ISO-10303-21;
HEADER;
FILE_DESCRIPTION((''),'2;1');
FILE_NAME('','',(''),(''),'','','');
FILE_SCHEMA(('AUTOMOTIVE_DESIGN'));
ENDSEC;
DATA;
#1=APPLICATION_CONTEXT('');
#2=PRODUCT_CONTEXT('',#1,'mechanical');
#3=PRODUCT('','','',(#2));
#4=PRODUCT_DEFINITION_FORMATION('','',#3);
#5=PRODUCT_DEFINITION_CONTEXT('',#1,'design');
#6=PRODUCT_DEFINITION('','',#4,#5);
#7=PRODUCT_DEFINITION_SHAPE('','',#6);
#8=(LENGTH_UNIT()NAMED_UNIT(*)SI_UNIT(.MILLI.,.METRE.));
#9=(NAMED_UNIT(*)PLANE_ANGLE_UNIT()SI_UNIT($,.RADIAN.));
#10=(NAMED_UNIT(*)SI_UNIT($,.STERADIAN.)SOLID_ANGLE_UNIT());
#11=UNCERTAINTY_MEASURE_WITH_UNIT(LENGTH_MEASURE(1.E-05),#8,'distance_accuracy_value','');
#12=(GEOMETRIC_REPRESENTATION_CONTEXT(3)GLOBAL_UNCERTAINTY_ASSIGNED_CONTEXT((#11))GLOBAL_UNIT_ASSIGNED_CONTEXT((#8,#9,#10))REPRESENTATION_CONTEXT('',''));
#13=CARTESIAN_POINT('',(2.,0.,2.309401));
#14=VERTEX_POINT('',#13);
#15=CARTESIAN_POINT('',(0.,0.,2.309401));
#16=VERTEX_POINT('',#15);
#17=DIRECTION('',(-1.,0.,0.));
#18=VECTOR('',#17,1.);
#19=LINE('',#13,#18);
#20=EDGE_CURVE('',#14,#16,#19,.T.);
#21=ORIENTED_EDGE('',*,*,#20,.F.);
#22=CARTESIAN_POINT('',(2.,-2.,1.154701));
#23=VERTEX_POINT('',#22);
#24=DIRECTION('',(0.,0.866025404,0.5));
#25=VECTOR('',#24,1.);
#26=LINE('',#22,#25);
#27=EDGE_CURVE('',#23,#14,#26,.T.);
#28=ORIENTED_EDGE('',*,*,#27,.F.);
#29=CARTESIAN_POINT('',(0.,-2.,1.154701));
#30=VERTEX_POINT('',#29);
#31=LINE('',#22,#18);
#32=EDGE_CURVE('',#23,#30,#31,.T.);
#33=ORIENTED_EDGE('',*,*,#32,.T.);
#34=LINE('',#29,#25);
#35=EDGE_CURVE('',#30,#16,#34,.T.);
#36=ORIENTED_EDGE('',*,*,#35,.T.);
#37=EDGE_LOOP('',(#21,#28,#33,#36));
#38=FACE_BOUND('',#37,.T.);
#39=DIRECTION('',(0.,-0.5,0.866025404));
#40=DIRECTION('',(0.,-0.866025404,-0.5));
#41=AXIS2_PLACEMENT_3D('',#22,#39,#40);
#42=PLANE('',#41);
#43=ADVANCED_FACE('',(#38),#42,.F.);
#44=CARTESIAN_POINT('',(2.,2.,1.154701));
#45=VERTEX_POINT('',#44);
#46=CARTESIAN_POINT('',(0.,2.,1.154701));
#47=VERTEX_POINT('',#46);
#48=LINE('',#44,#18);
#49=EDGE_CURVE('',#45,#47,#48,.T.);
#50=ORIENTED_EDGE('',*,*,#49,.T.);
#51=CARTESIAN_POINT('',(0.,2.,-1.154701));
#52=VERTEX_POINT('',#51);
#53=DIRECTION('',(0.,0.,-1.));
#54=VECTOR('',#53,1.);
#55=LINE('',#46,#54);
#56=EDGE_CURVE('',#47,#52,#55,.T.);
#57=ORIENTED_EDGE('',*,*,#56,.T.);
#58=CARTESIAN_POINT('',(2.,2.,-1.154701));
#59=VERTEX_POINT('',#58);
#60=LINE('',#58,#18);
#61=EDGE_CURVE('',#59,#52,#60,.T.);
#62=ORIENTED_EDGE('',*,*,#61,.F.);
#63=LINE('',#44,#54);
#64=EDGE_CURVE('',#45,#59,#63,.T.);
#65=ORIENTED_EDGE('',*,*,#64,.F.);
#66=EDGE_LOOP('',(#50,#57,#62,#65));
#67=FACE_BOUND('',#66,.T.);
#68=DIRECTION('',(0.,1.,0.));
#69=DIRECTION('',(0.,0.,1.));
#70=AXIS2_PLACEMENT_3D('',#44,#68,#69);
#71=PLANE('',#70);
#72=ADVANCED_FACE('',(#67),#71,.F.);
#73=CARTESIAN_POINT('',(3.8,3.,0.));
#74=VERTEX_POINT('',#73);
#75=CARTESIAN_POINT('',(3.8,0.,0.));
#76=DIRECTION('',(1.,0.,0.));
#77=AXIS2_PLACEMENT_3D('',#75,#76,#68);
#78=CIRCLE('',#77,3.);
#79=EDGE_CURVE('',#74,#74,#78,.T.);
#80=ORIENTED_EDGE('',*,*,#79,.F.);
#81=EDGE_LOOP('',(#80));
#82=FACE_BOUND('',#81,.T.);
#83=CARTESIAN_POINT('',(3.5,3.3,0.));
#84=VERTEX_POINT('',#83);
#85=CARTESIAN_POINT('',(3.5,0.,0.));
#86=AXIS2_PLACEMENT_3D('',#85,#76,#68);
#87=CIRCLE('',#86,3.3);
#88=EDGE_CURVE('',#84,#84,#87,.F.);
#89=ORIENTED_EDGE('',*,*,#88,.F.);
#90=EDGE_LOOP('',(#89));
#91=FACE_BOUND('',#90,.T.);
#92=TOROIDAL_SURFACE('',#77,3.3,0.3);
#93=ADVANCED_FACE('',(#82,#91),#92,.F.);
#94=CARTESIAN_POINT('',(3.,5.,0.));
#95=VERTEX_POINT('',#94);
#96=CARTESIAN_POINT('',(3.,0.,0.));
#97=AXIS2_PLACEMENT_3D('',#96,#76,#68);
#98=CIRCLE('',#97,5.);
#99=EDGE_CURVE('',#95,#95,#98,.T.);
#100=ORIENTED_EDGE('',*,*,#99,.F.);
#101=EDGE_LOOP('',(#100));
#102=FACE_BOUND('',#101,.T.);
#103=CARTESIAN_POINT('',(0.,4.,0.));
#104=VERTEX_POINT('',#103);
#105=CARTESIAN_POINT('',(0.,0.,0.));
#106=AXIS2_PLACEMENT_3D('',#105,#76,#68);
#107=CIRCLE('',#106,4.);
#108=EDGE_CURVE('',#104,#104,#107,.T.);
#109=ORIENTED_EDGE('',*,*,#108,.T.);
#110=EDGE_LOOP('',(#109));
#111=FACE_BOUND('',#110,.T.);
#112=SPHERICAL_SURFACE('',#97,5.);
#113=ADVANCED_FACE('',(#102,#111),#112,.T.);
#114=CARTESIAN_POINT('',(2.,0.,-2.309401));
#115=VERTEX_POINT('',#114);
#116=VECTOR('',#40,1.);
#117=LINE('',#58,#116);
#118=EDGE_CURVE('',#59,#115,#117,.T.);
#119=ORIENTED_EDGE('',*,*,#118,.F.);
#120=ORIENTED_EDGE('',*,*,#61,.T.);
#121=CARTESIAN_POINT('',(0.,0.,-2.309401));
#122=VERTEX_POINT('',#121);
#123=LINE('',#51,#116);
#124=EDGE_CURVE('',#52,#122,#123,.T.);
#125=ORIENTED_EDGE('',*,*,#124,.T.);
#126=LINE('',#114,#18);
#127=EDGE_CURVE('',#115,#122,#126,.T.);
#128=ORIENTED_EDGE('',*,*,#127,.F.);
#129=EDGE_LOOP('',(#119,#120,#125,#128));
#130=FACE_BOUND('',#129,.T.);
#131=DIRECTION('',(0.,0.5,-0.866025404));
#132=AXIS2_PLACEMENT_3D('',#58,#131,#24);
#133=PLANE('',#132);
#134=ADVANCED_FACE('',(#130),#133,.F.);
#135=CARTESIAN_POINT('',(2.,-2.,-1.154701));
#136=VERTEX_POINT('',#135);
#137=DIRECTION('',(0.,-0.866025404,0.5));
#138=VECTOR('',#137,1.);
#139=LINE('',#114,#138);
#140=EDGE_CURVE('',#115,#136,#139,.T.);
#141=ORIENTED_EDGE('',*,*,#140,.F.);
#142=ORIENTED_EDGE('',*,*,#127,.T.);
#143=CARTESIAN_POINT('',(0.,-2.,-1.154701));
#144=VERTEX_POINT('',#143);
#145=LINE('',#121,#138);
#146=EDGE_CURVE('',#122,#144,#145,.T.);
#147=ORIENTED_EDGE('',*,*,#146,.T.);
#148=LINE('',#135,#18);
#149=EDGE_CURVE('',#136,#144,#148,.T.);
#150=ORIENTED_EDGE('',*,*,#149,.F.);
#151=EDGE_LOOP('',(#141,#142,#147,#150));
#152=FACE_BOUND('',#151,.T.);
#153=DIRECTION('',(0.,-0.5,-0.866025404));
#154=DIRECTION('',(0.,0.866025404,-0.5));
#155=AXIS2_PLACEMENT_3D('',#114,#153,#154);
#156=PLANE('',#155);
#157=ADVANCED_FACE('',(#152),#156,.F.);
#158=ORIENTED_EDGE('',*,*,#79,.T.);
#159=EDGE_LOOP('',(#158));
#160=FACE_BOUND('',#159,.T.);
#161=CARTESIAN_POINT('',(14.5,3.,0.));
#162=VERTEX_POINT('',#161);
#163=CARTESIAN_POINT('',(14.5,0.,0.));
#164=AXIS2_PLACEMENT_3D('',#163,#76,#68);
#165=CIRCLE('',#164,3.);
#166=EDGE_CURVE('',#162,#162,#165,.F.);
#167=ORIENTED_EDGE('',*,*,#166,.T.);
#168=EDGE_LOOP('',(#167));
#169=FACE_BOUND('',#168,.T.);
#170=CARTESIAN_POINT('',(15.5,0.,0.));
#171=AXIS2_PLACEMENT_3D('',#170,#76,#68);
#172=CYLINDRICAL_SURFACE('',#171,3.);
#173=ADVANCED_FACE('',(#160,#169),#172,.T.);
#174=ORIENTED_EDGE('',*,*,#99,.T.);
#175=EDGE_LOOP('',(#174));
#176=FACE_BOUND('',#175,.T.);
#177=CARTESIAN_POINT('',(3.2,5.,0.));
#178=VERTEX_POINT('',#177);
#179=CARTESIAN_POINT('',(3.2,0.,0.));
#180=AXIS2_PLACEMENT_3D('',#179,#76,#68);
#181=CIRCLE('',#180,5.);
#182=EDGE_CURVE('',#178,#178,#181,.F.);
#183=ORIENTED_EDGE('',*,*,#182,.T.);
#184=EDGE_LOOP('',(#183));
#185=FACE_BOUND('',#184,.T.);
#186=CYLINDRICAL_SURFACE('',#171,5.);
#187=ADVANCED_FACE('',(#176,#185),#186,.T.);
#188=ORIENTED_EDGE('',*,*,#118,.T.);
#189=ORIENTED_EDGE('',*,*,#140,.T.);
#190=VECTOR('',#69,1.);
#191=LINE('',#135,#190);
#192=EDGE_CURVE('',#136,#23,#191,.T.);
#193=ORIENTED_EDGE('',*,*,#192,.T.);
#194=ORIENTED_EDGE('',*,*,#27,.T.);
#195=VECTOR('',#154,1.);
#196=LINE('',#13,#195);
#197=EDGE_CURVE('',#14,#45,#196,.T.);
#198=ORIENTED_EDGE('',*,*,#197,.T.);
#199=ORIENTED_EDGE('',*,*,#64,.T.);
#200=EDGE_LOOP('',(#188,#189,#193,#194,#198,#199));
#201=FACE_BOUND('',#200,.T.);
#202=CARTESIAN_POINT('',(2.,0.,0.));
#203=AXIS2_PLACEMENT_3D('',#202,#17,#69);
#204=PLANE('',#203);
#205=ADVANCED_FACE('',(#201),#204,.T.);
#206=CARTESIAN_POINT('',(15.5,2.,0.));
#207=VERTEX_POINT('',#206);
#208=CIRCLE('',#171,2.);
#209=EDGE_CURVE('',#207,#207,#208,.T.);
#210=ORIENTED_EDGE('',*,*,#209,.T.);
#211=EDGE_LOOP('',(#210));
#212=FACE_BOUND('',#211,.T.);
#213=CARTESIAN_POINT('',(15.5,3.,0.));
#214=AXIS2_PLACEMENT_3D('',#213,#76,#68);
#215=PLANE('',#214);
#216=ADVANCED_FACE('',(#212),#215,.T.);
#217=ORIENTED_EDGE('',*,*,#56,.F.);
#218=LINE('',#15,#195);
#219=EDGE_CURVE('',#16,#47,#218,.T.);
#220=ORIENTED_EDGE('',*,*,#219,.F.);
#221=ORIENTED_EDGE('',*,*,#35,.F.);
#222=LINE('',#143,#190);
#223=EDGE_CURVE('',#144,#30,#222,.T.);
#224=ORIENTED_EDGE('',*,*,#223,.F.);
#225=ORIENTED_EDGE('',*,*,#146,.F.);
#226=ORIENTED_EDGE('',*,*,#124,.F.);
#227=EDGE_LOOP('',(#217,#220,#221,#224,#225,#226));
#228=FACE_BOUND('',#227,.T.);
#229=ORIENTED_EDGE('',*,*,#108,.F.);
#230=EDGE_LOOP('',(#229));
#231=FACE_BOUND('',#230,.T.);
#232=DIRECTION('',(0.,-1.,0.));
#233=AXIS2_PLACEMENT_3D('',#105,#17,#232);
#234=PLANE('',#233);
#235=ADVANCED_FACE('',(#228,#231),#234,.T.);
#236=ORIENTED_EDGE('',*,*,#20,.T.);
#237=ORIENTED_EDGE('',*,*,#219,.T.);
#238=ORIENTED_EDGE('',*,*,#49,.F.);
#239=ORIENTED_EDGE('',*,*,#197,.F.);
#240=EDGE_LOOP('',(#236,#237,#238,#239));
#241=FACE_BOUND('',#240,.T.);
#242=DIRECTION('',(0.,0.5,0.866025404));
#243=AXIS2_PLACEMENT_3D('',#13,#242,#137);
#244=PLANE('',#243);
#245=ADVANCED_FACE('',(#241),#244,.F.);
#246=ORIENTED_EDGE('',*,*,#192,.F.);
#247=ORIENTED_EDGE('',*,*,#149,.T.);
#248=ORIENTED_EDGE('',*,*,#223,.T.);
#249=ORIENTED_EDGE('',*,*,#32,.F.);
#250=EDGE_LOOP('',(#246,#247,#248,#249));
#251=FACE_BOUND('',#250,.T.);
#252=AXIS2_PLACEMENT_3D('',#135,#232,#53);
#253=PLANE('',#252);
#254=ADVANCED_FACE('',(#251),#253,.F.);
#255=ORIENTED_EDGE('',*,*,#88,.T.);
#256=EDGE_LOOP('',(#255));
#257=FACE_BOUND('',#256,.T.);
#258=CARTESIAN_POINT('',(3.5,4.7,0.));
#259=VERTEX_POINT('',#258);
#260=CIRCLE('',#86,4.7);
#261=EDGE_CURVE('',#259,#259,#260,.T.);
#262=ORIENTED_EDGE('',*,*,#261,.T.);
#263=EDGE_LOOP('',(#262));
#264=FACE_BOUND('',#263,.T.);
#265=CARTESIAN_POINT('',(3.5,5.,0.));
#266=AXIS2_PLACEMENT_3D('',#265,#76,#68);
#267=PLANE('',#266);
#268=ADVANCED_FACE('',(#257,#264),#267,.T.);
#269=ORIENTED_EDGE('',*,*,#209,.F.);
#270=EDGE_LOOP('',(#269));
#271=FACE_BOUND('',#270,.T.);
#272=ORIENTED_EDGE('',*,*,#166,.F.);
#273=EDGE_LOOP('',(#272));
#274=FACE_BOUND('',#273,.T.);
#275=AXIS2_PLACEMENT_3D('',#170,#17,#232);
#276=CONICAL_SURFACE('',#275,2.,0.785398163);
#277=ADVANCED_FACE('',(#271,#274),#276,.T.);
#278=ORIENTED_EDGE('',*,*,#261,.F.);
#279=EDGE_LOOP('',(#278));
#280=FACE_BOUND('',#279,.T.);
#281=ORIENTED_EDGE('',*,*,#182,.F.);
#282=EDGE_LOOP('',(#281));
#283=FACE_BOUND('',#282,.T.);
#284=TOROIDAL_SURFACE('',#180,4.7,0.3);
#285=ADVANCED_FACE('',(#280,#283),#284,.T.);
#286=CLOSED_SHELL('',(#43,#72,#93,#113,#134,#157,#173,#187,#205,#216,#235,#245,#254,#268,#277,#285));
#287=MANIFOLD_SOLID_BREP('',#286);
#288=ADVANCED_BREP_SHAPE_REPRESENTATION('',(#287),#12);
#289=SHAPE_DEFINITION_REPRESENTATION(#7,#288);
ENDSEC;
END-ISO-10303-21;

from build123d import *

# Parameters (mm, degrees)
CUT_EXTRUDE_1_DEPTH = 2
FILLET_1_R          = 0.3
CHAMFER_1_SIZE      = 1


with BuildPart() as part:
    # Эскиз1 → Повернуть1 (revolve)
    with BuildSketch(Plane.XY):
        with BuildLine():
            Line((0, 0), (0, 4))
            ThreePointArc((0, 4), (1.41886117, 4.74341649), (3, 5))
            Line((3, 5), (3.5, 5))
            Line((3.5, 5), (3.5, 3))
            Line((3.5, 3), (15.5, 3))
            Line((15.5, 3), (15.5, 0))
            Line((15.5, 0), (0, 0))
        make_face()
    revolve(axis=Axis((15.5, 0, 0), (-1, 0, 0)))

    # Эскиз2 → Вырез-Вытянуть1 (cut)
    with BuildSketch(Plane.ZY):
        Polygon((1.154700538, 2), (-1.154700538, 2), (-2.309401077, 0), (-1.154700538, -2), (1.154700538, -2), (2.309401077, 0), align=None)
    extrude(amount=-CUT_EXTRUDE_1_DEPTH, mode=Mode.SUBTRACT)

    # Скругление1
    fillet_1_edges = [part.edges().sort_by_distance(p)[0] for p in [
        (3.5, -3, 0),
        (3.5, -5, 0),
    ]]
    fillet(fillet_1_edges, radius=FILLET_1_R)

    # Фаска1
    chamfer_1_edges = [part.edges().sort_by_distance(p)[0] for p in [
        (15.5, -3, 0),
    ]]
    chamfer(chamfer_1_edges, length=CHAMFER_1_SIZE)


solid = part.part
